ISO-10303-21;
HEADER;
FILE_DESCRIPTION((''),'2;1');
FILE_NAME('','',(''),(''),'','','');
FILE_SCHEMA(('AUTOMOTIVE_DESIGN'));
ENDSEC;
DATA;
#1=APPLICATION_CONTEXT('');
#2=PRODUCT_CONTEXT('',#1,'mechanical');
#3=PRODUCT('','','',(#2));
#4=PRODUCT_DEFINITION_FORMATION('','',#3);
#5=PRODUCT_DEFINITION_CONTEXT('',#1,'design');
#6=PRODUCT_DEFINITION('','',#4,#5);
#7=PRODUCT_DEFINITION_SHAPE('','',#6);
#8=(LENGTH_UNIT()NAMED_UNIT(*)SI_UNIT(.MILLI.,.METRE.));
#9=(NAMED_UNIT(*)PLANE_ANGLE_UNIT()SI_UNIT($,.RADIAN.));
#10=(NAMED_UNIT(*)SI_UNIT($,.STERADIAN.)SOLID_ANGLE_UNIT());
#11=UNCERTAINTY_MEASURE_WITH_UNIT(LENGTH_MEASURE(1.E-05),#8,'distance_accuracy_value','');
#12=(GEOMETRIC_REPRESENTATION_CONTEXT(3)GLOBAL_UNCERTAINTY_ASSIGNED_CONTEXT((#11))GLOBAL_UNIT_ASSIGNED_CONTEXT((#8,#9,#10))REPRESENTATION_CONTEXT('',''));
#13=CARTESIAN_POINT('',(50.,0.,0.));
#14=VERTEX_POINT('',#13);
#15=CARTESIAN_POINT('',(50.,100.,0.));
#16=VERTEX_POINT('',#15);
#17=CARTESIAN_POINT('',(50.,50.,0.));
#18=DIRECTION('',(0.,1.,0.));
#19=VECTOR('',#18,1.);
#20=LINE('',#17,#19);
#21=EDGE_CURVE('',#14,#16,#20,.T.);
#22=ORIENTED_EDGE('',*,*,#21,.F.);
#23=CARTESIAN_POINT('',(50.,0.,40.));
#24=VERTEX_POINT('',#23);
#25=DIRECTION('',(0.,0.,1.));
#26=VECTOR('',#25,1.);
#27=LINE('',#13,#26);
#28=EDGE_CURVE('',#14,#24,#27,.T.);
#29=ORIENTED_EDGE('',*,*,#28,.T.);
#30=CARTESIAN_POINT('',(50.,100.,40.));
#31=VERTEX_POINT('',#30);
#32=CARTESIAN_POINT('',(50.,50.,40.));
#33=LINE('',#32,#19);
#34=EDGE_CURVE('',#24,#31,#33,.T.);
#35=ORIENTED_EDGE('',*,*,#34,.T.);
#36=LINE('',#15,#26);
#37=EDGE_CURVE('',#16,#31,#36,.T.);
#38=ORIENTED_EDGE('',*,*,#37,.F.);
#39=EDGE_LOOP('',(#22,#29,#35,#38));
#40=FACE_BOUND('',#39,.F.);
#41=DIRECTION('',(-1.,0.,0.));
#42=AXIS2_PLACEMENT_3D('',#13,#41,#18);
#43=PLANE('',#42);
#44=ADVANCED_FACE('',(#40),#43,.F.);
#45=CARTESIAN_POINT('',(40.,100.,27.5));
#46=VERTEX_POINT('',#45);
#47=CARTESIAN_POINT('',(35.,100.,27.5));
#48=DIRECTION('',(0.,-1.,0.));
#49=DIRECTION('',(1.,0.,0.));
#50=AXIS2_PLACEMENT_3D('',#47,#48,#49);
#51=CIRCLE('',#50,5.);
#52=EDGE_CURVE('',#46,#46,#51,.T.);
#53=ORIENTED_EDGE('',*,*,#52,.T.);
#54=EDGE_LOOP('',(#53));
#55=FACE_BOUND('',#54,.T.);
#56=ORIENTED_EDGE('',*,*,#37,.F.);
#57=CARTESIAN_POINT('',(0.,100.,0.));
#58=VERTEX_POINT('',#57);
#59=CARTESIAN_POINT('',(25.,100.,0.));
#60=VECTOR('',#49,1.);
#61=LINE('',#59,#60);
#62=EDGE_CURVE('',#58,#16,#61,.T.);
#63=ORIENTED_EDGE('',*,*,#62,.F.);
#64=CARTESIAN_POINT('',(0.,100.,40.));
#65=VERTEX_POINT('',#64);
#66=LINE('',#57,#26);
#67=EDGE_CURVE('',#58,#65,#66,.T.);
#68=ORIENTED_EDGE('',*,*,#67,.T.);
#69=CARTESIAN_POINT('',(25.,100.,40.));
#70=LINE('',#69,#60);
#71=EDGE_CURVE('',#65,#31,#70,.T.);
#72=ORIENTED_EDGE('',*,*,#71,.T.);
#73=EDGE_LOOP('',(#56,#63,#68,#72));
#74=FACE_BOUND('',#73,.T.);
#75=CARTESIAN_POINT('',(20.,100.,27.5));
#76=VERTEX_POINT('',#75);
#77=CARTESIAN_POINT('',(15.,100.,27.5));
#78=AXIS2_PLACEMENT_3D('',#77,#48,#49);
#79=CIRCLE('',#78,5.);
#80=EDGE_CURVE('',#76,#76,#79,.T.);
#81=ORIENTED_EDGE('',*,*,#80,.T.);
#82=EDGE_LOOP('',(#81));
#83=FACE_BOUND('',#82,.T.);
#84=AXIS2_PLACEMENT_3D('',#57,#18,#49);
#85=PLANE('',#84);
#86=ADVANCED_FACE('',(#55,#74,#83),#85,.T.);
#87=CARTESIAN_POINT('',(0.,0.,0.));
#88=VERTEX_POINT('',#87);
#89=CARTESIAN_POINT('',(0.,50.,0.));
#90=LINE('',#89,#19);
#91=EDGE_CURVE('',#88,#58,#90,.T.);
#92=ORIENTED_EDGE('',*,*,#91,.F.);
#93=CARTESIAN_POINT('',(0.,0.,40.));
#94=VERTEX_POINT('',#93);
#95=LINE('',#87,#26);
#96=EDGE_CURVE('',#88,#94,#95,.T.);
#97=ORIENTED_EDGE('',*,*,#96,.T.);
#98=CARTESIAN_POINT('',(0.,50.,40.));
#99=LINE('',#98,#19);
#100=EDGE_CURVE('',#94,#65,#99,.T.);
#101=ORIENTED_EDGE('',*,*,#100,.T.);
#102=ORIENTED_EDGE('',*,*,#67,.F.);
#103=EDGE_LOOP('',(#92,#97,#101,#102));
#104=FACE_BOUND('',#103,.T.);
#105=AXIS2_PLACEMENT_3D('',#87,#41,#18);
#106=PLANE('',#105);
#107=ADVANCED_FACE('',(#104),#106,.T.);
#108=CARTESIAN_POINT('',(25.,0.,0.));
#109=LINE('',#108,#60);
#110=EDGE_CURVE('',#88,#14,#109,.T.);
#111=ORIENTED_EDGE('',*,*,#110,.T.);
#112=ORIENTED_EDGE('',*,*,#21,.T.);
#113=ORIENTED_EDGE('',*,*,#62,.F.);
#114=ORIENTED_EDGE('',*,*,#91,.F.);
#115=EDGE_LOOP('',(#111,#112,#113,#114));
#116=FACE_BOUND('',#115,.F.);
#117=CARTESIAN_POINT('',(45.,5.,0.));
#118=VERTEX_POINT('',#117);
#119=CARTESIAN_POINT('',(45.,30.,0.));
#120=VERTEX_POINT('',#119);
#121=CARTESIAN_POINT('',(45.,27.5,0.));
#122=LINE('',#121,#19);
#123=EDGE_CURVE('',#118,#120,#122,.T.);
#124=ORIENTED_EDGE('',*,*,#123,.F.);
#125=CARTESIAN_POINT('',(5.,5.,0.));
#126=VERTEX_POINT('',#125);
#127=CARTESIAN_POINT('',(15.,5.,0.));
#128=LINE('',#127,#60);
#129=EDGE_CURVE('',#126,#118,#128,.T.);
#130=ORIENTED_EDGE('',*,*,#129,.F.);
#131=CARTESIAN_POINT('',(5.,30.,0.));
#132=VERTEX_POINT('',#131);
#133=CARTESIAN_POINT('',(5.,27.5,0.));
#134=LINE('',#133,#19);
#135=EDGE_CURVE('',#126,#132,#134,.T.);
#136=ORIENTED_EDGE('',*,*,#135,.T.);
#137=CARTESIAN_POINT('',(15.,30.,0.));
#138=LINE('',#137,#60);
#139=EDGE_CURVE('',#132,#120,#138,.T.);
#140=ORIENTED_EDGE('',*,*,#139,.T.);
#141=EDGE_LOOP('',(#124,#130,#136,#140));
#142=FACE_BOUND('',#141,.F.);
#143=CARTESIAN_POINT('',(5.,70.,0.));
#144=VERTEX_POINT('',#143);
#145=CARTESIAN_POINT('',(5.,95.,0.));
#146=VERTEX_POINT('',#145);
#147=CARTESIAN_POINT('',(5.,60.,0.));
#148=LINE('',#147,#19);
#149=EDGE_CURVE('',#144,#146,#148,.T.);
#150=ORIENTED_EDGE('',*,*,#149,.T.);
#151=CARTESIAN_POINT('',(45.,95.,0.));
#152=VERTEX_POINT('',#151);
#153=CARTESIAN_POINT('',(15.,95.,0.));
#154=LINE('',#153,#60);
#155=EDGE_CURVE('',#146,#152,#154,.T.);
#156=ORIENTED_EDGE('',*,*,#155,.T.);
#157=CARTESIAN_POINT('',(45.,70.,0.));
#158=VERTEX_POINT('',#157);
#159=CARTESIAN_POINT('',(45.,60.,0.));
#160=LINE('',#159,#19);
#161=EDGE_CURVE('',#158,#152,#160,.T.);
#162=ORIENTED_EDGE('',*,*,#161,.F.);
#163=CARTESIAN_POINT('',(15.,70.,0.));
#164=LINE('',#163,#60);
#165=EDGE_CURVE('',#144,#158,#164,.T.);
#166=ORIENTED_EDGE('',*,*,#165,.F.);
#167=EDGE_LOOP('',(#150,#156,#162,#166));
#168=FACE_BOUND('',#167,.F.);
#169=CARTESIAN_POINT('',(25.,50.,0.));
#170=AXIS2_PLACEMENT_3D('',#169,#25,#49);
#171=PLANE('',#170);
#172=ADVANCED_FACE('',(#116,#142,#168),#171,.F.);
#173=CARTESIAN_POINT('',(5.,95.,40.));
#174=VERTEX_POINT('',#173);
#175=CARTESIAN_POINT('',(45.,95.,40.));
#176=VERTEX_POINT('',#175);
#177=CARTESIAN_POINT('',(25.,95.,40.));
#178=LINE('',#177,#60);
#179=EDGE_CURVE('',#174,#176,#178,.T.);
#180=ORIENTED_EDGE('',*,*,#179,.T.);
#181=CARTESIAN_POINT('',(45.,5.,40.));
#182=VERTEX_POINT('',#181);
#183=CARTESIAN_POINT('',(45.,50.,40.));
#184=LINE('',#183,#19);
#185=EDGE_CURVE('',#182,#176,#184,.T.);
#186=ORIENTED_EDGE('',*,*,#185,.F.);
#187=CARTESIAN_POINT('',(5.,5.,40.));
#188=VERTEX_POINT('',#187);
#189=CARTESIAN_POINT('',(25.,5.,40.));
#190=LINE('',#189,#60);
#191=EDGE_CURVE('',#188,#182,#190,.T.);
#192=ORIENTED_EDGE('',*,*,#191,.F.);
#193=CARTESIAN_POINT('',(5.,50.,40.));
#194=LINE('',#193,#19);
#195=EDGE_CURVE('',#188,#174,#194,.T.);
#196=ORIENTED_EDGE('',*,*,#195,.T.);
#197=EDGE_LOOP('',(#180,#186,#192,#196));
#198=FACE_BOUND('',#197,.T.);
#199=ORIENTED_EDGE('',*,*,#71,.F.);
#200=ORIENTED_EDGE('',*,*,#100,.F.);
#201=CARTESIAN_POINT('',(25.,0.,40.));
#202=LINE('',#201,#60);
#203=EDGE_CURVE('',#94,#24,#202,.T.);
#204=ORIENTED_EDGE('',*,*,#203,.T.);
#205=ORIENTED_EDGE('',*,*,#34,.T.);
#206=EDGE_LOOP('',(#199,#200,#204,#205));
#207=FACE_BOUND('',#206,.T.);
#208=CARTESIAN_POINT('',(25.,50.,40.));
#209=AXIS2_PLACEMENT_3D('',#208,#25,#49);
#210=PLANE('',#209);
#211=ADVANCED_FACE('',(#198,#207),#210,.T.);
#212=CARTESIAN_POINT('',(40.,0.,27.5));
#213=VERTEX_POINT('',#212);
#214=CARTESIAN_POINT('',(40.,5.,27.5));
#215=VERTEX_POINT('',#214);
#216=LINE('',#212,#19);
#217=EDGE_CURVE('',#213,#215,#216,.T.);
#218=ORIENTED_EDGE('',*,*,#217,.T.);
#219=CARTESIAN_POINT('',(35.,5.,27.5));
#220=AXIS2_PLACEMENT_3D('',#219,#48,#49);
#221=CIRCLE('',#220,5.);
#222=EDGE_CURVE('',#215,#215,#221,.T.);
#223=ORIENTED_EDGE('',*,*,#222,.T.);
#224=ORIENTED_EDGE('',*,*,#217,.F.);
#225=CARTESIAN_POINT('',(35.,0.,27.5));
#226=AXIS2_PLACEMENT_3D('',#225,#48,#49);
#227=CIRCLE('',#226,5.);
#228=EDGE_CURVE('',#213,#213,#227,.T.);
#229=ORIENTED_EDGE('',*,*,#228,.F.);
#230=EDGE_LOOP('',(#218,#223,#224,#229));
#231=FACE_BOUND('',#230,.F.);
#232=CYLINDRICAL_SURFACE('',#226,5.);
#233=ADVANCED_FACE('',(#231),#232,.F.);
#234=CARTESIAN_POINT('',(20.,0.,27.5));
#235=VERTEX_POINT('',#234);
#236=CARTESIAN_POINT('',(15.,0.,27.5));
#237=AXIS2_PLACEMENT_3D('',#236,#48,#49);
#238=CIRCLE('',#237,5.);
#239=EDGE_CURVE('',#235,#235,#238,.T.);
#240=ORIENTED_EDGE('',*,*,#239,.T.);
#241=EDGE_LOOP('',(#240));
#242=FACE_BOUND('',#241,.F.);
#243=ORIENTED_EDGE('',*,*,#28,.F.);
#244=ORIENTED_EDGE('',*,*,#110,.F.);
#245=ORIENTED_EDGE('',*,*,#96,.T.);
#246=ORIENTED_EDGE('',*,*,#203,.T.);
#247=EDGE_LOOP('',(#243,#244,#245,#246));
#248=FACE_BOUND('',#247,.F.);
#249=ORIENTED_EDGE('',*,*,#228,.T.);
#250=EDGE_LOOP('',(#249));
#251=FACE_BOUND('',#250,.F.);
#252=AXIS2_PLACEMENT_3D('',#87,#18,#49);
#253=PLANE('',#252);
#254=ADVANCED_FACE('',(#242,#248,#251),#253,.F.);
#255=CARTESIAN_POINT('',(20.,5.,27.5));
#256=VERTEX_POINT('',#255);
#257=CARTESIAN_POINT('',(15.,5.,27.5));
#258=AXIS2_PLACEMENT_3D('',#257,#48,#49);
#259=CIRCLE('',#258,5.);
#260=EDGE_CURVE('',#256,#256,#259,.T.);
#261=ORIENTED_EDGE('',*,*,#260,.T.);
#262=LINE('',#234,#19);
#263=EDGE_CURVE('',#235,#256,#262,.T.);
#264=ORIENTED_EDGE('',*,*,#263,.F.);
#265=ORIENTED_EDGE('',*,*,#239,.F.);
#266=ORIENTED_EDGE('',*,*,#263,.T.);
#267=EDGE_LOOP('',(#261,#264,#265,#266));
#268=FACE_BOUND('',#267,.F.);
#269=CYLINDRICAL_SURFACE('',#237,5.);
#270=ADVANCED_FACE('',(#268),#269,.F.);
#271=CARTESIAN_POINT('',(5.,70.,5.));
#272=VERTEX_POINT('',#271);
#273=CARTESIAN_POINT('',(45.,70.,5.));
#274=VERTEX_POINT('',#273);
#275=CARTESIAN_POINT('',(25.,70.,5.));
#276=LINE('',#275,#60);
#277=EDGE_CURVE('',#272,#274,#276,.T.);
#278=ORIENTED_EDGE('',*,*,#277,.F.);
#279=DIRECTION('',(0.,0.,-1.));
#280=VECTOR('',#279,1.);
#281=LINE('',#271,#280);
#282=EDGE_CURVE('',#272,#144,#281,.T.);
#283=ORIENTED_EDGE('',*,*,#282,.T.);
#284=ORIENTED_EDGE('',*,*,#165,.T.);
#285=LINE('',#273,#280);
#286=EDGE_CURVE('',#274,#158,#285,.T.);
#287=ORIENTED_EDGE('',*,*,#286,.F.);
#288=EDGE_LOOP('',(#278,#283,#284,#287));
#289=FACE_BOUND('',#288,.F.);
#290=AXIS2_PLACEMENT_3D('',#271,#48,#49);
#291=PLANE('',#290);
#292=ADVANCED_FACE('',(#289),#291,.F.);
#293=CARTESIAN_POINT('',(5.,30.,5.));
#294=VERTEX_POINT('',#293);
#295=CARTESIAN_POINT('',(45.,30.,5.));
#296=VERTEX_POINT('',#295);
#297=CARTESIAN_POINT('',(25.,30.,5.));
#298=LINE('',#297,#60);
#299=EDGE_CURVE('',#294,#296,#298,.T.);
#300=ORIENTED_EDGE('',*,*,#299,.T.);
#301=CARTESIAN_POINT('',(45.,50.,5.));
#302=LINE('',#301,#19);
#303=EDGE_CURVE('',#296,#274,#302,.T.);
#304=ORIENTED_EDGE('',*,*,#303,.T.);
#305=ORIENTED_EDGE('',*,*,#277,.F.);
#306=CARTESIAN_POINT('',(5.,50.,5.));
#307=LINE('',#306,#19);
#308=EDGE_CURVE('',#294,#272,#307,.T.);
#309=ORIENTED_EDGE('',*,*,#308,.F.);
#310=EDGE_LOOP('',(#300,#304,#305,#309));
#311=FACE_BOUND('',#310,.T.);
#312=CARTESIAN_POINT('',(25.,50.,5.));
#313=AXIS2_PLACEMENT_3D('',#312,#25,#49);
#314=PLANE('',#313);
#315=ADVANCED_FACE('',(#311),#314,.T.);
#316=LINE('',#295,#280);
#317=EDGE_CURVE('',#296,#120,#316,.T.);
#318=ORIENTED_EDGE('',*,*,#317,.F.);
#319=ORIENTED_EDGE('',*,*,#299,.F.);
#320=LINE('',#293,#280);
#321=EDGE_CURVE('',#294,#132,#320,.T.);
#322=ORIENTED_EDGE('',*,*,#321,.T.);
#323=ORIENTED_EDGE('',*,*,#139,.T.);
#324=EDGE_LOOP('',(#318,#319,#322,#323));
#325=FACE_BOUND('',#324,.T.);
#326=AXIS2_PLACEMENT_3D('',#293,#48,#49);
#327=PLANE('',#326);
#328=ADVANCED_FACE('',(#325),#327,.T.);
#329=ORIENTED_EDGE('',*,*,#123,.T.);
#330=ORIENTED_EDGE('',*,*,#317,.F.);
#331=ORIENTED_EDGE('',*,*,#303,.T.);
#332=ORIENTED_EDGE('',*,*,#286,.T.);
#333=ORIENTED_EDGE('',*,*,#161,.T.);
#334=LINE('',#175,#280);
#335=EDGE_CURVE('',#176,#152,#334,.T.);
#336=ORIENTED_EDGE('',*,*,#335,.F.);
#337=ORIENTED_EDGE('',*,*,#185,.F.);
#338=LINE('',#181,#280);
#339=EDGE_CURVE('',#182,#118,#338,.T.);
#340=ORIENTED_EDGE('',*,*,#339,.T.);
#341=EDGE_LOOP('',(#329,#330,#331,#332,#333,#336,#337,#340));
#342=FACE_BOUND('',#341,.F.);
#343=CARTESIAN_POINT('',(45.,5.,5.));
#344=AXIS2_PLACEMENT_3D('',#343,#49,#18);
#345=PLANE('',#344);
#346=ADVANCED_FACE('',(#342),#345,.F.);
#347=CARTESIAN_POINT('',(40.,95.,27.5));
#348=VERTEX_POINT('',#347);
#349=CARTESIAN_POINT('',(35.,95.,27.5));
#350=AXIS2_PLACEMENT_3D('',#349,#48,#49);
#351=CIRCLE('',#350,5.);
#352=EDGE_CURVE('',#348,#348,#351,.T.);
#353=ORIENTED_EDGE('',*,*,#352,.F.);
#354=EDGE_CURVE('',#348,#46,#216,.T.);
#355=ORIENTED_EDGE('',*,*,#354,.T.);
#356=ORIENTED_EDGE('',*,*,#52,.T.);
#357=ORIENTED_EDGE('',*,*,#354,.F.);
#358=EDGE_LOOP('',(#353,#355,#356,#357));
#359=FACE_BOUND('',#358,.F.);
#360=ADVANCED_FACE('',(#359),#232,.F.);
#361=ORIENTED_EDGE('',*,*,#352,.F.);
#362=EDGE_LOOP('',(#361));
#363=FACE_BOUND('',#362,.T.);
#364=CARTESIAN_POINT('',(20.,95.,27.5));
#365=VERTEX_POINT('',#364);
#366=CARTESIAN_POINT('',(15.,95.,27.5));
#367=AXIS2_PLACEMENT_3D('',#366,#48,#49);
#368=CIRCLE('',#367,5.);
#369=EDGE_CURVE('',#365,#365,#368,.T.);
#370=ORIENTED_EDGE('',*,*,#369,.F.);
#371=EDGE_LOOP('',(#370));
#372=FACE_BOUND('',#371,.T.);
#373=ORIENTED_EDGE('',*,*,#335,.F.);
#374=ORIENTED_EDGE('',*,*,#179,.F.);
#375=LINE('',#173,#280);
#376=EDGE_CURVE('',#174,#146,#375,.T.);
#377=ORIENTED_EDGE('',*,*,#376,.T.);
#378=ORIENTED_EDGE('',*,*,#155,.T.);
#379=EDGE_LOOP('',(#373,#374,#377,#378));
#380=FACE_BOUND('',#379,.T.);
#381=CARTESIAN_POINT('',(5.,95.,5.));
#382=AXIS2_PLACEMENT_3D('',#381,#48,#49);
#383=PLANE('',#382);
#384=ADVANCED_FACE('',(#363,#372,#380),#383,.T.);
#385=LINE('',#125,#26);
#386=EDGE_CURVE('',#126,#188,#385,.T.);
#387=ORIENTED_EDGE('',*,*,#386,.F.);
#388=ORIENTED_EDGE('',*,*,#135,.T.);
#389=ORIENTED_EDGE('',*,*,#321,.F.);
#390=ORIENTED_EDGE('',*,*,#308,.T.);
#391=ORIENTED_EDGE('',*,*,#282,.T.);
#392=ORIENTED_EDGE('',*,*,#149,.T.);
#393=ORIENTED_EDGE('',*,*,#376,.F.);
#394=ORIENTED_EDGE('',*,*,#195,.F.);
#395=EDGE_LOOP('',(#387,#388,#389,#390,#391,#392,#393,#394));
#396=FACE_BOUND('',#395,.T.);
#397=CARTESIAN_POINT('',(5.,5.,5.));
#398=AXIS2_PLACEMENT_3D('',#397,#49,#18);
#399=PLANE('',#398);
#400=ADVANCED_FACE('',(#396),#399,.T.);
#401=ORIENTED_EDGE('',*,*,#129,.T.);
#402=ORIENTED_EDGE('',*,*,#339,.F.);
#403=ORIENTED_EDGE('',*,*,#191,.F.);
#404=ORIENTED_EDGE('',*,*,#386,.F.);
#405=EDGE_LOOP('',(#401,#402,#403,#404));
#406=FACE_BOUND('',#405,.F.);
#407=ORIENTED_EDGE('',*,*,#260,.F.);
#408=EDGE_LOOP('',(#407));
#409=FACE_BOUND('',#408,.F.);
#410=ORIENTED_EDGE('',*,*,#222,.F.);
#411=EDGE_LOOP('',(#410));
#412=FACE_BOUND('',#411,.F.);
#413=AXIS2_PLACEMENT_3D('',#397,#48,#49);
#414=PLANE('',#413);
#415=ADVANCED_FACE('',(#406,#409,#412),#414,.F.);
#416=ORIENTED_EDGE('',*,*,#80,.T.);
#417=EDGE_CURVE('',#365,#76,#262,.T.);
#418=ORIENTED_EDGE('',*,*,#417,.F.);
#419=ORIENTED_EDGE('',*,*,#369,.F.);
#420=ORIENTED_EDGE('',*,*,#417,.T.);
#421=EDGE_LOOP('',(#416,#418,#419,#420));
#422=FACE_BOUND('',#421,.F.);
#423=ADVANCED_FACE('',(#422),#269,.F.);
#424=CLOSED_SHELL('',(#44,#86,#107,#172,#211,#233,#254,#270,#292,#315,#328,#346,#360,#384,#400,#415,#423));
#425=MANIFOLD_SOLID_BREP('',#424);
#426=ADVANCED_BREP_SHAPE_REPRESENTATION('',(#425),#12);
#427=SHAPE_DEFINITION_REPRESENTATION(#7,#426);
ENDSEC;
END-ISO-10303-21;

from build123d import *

# Parameters (mm, degrees)
SKETCH_W        = 50
SKETCH_H        = 100
PAD_DEPTH       = 40
SKETCH001_W     = 40
SKETCH001_H     = 90
POCKET_DEPTH    = 35
SKETCH002_W     = 40
SKETCH002_H     = 25
POCKET001_DEPTH = 5.001
SKETCH003_W     = 40
SKETCH003_H     = 25
POCKET002_DEPTH = 5.001
SKETCH004_R     = 5
POCKET003_DEPTH = 100.001


with BuildPart() as part:
    # Sketch → Pad (new body)
    with BuildSketch(Plane.XY):
        with Locations((25, 50)):
            Rectangle(SKETCH_W, SKETCH_H)
    extrude(amount=PAD_DEPTH)

    # Sketch001 (on Face6 of Pad) → Pocket (cut)
    with BuildSketch(Plane.XY.offset(40)):
        with Locations((25, 50)):
            Rectangle(SKETCH001_W, SKETCH001_H)
    extrude(amount=-POCKET_DEPTH, mode=Mode.SUBTRACT)

    # Sketch002 (on Face11 of Pocket) → Pocket001 (cut, through all)
    with BuildSketch(Plane.XY.offset(5)):
        with Locations((25, 82.5)):
            Rectangle(SKETCH002_W, SKETCH002_H)
    extrude(amount=-POCKET001_DEPTH, mode=Mode.SUBTRACT)

    # Sketch003 (on Face9 of Pocket001) → Pocket002 (cut, through all)
    with BuildSketch(Plane.XY.offset(5)):
        with Locations((25, 17.5)):
            Rectangle(SKETCH003_W, SKETCH003_H)
    extrude(amount=-POCKET002_DEPTH, mode=Mode.SUBTRACT)

    # Sketch004 (on Face1 of Pocket002) → Pocket003 (cut, through all)
    with BuildSketch(Plane.XZ):
        with Locations((15, 27.5)):
            Circle(SKETCH004_R)
        with Locations((35, 27.5)):
            Circle(SKETCH004_R)
    extrude(amount=-POCKET003_DEPTH, mode=Mode.SUBTRACT)


solid = part.part
